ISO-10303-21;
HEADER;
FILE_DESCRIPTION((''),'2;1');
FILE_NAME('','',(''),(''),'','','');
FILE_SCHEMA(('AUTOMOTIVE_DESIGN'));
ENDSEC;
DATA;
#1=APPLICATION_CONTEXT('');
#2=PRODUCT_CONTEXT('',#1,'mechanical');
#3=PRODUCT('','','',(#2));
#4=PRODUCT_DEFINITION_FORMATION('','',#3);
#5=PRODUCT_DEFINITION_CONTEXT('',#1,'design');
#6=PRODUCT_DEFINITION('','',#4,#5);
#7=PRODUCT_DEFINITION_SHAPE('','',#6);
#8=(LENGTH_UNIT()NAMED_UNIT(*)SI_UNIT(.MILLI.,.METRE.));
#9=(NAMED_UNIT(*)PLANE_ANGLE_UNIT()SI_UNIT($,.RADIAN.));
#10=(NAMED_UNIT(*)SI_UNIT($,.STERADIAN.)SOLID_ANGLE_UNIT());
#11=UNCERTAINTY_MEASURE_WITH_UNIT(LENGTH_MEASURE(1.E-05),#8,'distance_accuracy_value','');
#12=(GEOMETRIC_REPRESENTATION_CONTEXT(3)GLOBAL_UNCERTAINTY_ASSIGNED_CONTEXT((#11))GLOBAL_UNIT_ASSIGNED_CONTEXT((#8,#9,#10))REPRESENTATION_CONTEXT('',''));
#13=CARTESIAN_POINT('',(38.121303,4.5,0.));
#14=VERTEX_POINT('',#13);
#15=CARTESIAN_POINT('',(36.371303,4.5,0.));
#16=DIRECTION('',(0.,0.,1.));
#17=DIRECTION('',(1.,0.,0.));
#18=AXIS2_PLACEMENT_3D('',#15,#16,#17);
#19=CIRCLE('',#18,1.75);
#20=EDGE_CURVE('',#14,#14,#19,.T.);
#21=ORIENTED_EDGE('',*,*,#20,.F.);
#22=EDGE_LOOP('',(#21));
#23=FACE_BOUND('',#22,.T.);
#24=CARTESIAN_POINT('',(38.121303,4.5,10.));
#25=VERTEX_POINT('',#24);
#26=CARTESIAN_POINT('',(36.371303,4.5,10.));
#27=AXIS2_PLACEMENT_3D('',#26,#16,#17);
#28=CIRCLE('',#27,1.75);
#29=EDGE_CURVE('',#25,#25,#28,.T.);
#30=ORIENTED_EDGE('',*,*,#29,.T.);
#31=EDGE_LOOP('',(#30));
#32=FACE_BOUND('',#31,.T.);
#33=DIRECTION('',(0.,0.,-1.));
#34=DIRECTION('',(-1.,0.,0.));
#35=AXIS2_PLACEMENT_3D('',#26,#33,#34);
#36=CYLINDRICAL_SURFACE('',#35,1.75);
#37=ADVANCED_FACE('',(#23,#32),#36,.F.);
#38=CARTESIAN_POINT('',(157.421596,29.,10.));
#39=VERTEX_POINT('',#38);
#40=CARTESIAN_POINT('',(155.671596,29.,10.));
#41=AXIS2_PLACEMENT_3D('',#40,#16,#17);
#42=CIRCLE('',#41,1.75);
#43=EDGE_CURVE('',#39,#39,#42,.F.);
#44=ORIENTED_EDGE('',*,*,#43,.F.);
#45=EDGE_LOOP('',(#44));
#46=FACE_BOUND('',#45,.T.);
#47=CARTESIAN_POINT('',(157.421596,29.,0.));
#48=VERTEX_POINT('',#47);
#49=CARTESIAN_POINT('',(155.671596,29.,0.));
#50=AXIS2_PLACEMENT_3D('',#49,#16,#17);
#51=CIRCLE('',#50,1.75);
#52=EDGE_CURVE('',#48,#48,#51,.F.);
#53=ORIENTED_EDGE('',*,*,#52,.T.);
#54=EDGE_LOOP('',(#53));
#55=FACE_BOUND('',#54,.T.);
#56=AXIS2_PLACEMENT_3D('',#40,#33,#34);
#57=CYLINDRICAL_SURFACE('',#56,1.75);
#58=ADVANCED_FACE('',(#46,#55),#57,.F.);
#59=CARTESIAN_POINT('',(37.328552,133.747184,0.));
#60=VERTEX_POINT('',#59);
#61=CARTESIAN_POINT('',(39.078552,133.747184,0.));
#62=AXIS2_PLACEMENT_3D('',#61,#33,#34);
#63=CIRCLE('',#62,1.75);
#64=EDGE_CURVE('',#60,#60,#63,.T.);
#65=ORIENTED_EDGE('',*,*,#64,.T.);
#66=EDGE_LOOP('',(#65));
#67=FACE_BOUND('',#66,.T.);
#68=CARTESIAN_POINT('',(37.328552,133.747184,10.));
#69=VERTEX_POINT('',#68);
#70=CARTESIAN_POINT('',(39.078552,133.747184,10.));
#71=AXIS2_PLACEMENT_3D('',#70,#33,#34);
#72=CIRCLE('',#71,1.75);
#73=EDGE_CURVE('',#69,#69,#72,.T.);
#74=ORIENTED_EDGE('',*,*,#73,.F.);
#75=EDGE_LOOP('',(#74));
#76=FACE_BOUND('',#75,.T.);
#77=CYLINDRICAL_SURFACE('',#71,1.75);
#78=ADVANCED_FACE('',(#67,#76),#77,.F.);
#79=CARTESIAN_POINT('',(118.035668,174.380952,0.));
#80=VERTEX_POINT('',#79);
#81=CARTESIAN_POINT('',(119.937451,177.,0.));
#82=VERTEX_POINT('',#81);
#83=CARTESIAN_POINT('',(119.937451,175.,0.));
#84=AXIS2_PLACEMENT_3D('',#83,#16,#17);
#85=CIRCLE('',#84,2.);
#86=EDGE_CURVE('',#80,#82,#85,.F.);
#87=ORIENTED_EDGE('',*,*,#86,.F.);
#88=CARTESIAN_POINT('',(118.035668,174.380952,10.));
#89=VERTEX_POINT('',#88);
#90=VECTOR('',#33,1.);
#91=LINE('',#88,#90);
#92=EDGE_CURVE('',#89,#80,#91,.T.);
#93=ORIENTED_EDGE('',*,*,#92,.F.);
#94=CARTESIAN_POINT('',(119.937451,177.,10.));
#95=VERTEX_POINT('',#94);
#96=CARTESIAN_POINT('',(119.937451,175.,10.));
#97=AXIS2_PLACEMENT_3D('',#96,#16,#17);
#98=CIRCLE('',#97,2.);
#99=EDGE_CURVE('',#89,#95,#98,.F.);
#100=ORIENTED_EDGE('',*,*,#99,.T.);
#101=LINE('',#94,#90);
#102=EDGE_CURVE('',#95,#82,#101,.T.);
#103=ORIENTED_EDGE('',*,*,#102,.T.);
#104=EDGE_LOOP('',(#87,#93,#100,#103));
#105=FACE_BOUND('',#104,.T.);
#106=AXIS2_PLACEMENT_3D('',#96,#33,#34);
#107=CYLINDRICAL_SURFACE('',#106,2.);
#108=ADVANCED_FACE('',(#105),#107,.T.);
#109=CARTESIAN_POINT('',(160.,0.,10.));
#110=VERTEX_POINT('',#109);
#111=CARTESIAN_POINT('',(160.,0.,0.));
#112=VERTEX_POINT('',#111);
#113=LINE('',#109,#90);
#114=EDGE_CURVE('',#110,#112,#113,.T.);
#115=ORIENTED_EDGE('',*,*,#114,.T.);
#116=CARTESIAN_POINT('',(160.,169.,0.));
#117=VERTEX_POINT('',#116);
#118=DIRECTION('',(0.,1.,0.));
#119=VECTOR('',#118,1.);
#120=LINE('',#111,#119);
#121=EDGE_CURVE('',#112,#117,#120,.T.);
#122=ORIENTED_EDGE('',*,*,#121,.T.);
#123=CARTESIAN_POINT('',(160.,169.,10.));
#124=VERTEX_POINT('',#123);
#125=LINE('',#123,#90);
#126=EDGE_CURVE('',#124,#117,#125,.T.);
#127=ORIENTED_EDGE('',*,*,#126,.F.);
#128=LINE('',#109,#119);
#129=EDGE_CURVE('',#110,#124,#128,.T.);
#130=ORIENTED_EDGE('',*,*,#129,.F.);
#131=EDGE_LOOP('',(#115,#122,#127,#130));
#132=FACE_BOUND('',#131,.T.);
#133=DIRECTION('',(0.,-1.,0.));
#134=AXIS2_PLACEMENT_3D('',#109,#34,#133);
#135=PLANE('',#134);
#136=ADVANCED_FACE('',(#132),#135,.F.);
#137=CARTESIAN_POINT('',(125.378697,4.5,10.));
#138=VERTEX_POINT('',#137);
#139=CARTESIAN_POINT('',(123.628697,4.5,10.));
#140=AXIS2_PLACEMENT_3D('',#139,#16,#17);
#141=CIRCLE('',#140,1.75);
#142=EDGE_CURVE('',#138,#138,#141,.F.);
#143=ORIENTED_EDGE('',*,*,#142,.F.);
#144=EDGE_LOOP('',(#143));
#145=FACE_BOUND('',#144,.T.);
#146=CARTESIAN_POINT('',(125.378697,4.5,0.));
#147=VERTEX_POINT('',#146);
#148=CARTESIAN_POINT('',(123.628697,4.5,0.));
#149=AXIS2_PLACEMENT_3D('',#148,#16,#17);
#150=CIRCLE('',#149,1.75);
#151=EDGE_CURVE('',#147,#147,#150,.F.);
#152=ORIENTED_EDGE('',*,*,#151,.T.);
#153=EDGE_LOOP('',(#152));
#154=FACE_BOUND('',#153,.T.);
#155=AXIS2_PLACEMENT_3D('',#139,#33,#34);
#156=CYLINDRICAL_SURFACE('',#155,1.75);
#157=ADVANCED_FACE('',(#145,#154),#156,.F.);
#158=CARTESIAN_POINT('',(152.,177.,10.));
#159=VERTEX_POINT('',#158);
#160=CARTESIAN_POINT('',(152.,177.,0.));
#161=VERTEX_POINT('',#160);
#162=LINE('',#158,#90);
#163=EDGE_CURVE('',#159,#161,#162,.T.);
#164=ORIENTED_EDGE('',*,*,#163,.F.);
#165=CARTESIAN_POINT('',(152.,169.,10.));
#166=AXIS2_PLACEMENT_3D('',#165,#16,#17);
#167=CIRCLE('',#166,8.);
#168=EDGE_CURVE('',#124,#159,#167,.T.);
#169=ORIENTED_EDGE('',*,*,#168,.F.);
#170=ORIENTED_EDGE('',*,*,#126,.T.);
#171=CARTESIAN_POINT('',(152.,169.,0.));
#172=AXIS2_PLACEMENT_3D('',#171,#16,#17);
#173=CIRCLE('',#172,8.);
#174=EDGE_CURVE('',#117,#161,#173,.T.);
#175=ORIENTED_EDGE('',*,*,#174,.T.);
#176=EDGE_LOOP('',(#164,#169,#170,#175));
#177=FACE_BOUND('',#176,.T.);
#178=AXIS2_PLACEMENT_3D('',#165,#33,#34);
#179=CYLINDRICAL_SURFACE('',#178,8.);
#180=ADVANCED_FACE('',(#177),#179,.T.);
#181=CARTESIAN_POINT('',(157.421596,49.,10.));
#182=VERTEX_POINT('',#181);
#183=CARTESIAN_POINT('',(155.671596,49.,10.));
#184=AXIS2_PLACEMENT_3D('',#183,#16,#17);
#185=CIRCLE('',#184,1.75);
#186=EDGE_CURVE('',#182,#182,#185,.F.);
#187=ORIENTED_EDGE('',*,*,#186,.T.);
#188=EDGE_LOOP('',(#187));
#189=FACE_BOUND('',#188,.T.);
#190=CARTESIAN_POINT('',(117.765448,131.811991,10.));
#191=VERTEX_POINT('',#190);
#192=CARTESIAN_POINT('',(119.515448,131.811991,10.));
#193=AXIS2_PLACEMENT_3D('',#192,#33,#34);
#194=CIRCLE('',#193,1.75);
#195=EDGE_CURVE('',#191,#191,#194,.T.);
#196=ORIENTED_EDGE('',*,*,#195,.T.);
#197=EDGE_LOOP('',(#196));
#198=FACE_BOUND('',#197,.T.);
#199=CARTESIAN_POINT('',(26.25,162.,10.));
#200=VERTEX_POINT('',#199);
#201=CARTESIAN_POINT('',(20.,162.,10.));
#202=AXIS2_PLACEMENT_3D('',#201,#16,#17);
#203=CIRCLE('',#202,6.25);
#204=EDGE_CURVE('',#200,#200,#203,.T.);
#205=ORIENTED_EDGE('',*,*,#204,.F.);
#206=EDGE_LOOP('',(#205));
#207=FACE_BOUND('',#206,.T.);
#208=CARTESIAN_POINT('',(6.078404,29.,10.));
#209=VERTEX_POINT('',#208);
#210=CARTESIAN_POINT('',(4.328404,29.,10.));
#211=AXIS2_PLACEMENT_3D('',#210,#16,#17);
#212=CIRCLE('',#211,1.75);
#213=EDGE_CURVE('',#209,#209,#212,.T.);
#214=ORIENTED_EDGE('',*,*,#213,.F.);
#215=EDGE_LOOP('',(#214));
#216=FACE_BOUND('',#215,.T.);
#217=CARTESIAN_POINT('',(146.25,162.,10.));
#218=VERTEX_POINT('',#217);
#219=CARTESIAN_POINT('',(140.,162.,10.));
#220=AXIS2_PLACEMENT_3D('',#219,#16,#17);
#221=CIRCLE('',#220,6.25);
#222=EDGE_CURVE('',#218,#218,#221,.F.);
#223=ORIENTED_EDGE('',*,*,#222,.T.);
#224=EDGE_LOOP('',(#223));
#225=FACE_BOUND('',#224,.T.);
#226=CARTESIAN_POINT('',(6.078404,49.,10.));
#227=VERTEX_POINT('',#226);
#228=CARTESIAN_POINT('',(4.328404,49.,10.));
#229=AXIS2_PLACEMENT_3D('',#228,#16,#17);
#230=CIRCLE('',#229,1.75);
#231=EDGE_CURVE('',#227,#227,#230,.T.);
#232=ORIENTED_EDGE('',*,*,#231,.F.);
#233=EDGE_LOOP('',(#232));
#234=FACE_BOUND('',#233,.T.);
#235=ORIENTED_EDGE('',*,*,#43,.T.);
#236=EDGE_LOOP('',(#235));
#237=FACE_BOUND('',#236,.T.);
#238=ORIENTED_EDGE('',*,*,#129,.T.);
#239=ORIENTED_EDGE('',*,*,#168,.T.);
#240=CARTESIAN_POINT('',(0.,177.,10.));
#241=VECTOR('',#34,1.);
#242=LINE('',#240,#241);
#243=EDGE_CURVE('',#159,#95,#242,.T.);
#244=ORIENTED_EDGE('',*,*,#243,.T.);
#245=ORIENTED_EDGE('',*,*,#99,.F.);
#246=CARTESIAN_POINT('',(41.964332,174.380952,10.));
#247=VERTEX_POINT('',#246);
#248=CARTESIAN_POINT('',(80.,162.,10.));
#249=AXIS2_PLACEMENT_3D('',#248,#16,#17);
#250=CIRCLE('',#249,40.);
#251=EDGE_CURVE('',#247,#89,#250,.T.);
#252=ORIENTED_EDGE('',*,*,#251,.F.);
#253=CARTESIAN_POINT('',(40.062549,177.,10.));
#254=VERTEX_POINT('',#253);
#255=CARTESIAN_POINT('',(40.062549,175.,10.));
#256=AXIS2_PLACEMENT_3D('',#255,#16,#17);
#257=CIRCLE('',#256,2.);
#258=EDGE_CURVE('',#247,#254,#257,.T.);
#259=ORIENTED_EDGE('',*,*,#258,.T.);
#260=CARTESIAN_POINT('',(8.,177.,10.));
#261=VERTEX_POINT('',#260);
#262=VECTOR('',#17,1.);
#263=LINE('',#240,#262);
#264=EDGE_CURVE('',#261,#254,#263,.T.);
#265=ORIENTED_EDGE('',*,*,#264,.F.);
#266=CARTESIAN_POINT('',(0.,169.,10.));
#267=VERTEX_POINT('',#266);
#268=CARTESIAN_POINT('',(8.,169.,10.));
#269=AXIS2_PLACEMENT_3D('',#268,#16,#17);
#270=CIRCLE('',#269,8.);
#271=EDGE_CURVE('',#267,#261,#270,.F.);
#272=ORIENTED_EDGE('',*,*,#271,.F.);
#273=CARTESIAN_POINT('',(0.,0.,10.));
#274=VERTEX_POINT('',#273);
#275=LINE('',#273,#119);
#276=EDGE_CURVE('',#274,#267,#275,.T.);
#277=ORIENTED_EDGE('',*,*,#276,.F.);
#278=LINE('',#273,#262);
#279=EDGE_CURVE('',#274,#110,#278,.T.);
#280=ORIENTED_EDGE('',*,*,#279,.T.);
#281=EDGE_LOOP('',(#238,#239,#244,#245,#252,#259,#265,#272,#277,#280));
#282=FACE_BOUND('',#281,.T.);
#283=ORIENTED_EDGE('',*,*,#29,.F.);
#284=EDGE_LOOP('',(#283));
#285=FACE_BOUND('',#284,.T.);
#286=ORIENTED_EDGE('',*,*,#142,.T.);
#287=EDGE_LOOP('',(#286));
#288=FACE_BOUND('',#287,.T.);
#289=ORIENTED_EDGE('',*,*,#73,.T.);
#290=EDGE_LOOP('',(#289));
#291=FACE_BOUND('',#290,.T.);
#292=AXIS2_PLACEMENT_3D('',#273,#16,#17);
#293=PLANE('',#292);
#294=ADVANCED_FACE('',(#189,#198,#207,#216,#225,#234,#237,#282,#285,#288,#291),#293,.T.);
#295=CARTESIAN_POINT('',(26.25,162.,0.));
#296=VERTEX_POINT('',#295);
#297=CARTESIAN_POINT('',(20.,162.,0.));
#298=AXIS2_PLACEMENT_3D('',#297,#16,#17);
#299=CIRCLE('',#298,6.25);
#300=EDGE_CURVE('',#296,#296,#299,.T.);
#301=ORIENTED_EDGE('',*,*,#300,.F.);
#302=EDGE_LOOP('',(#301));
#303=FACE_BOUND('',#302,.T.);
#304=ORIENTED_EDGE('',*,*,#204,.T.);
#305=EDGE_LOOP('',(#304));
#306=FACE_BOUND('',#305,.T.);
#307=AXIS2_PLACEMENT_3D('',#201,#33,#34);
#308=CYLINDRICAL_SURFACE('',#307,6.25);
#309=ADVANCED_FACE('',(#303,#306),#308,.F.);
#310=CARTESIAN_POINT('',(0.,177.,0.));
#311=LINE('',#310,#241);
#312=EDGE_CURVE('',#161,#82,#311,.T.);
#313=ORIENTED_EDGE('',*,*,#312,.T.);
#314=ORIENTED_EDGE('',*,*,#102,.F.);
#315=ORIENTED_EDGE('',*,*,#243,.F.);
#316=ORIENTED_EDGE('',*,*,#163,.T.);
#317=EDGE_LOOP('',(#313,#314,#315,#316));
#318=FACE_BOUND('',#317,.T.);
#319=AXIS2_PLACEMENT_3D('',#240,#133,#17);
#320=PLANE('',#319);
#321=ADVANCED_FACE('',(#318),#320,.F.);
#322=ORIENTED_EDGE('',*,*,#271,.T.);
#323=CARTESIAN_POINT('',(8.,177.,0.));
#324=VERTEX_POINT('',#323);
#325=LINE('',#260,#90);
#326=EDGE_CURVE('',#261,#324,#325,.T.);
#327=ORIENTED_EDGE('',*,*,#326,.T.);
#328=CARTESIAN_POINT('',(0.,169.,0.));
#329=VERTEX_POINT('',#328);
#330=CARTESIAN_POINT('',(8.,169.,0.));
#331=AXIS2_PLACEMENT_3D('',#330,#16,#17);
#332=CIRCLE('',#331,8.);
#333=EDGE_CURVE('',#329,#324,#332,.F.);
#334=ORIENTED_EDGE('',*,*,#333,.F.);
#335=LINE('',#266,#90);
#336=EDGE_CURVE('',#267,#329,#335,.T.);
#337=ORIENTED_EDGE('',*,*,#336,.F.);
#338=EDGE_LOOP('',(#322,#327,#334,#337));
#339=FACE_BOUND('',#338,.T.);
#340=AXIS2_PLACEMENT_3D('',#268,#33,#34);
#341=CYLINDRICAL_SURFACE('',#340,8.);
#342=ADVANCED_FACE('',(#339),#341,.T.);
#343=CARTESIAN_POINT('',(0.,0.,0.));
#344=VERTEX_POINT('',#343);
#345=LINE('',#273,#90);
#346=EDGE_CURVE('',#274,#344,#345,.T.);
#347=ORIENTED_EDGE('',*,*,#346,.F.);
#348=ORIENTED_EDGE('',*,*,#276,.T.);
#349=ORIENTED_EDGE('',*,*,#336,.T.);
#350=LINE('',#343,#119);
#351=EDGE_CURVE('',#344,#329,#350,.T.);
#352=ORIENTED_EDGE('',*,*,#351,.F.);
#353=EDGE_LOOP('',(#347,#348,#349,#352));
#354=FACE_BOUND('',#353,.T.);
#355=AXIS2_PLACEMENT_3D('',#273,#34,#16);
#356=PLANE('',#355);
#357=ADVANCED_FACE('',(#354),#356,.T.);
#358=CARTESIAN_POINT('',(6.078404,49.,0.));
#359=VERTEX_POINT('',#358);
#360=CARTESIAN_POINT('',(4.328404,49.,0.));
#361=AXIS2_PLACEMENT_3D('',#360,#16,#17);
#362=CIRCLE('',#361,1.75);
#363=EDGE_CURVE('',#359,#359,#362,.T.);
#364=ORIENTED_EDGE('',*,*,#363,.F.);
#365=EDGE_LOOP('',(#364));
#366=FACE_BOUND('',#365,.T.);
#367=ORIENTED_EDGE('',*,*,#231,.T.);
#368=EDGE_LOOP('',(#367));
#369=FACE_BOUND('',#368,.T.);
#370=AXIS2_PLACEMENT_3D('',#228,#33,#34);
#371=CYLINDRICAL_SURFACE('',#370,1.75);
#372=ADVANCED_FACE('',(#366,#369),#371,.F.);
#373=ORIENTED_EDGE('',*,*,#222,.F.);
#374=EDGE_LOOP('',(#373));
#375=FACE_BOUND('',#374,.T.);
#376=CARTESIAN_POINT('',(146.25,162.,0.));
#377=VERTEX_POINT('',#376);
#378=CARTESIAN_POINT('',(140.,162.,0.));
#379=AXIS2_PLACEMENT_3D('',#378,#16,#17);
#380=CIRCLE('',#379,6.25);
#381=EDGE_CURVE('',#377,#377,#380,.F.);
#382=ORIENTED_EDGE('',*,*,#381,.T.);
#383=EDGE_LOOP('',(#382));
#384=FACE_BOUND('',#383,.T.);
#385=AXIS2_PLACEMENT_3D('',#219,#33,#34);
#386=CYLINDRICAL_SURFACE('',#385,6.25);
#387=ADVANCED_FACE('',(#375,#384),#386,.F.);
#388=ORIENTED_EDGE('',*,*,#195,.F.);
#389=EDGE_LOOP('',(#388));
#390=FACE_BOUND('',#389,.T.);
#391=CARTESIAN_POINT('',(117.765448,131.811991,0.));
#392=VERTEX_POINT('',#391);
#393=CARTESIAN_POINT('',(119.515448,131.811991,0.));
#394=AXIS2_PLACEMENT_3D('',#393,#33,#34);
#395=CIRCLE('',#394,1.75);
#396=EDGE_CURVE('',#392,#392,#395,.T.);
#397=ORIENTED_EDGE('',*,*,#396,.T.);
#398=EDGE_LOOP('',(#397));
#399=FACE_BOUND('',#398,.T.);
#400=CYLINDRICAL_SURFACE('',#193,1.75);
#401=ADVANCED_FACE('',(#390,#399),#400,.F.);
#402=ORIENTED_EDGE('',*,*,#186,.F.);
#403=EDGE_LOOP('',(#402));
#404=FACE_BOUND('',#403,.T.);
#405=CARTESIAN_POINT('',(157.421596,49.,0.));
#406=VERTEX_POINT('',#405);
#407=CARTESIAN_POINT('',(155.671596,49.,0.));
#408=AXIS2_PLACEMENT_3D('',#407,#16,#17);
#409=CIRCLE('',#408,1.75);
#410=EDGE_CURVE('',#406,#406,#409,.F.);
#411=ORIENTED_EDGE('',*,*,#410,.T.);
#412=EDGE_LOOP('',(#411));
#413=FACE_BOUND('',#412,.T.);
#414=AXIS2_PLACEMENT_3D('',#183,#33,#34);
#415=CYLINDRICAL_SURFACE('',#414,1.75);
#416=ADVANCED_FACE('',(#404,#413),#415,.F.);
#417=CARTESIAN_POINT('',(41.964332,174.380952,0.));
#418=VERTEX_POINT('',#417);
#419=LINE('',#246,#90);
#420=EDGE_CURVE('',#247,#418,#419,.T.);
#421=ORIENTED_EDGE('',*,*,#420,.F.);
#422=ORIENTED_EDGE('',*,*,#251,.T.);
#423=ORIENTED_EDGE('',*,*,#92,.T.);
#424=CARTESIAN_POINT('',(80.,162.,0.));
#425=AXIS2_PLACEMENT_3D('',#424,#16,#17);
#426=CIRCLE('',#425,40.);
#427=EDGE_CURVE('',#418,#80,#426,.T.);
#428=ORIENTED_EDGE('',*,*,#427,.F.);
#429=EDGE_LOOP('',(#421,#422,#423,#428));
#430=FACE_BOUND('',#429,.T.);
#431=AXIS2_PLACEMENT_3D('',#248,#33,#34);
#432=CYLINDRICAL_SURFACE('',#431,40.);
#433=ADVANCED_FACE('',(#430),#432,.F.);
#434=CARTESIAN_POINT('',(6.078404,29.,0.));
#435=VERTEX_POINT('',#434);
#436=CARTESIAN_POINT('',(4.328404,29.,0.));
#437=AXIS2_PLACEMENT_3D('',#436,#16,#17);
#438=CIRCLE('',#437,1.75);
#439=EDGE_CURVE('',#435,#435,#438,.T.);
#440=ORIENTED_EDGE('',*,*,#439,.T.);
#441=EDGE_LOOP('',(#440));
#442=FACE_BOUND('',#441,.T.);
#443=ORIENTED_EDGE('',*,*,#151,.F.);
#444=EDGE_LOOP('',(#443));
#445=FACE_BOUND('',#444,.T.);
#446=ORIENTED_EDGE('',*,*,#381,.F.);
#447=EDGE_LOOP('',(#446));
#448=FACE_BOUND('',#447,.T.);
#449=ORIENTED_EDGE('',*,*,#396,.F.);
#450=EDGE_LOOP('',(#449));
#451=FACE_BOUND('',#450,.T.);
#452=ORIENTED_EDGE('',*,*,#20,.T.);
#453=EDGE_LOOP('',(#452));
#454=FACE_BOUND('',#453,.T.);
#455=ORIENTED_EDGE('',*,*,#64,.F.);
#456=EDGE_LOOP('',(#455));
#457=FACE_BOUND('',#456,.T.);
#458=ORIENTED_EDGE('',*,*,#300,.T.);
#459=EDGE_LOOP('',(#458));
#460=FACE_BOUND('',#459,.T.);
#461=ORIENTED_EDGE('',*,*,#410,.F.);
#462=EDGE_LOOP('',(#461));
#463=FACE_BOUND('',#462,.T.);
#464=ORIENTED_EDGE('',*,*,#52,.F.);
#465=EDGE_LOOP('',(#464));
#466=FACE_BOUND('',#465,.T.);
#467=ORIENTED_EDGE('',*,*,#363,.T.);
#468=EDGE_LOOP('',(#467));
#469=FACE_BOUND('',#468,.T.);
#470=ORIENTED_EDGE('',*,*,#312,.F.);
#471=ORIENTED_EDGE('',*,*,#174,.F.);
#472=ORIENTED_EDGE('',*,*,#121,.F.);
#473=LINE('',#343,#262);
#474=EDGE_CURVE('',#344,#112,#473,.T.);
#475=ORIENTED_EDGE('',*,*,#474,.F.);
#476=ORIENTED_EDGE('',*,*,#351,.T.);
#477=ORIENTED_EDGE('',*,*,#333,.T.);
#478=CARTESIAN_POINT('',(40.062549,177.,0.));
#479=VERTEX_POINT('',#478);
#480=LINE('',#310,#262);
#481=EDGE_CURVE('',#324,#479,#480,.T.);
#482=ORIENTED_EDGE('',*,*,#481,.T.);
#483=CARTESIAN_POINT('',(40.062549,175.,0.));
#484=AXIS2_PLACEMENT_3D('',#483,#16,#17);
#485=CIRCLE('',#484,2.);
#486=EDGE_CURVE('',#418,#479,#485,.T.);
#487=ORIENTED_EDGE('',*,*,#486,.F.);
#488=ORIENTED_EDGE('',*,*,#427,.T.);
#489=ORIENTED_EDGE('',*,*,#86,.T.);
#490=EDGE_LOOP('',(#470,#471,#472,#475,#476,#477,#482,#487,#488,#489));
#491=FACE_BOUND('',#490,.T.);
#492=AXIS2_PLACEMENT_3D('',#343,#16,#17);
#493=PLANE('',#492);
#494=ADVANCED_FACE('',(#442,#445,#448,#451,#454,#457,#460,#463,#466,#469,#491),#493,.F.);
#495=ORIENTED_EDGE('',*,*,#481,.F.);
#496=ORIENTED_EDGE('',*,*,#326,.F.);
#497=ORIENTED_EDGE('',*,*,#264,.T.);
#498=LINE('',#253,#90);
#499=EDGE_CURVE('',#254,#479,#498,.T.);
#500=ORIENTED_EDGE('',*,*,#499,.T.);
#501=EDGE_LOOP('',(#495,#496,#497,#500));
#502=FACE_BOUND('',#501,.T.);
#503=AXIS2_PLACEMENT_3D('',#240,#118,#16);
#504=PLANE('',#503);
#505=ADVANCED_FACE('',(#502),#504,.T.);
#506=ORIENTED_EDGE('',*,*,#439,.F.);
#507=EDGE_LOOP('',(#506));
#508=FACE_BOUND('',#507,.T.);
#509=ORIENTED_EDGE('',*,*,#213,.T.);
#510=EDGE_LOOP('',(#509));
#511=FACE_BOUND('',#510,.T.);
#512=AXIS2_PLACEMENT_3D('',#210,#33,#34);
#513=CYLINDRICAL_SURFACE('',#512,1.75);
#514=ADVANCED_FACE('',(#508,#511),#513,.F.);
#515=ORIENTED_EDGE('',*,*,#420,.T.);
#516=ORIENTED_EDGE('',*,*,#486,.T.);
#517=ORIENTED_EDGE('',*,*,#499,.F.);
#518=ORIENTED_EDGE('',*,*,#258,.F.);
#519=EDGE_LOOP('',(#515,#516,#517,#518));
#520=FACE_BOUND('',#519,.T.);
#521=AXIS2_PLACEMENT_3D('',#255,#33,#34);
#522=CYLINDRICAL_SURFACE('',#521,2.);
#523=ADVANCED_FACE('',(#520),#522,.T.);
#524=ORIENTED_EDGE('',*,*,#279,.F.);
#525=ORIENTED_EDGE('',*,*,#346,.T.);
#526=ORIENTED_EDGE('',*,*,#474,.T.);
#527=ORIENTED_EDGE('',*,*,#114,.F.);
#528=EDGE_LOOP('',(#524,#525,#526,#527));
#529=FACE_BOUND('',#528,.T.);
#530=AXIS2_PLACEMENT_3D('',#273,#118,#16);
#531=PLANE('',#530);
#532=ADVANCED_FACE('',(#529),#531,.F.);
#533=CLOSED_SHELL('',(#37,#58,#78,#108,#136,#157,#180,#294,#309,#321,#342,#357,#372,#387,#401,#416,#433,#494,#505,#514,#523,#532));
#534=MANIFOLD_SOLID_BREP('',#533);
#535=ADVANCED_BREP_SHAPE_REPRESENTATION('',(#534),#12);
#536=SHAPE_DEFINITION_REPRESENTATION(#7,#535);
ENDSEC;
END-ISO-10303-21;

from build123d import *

# Parameters (mm, degrees)
SKETCH1_R           = 6.25
SKETCH1_R_2         = 1.75
BOSS_EXTRUDE1_DEPTH = 10
SKETCH11_R          = 1.75
CUT_EXTRUDE2_DEPTH  = 10


with BuildPart() as part:
    # Sketch1 → Boss-Extrude1 (new body)
    with BuildSketch(Plane.XY):
        with BuildLine():
            Line((0, 0), (40, 0))
            Line((40, 0), (120, 0))
            Line((120, 0), (160, 0))
            Line((160, 0), (160, 169))
            ThreePointArc((160, 169), (157.656854249, 174.656854249), (152, 177))
            Line((152, 177), (120, 177))
            Line((120, 177), (119.937451095, 177))
            ThreePointArc((119.937451095, 177), (118.319103908, 176.175139303), (118.03566771, 174.380952381))
            ThreePointArc((118.03566771, 174.380952381), (80, 122), (41.96433229, 174.380952381))
            ThreePointArc((41.96433229, 174.380952381), (41.680896092, 176.175139303), (40.062548905, 177))
            Line((40.062548905, 177), (40, 177))
            Line((40, 177), (8, 177))
            ThreePointArc((8, 177), (2.343145751, 174.656854249), (0, 169))
            Line((0, 169), (0, 0))
        make_face()
        with Locations((20, 162)):
            Circle(SKETCH1_R, mode=Mode.SUBTRACT)
        with Locations((140, 162)):
            Circle(SKETCH1_R, mode=Mode.SUBTRACT)
        with Locations((4.328403696, 49)):
            Circle(SKETCH1_R_2, mode=Mode.SUBTRACT)
        with Locations((4.328403696, 29)):
            Circle(SKETCH1_R_2, mode=Mode.SUBTRACT)
        with Locations((36.371302772, 4.5)):
            Circle(SKETCH1_R_2, mode=Mode.SUBTRACT)
        with Locations((123.628697228, 4.5)):
            Circle(SKETCH1_R_2, mode=Mode.SUBTRACT)
        with Locations((155.671596304, 29)):
            Circle(SKETCH1_R_2, mode=Mode.SUBTRACT)
        with Locations((155.671596304, 49)):
            Circle(SKETCH1_R_2, mode=Mode.SUBTRACT)
    extrude(amount=BOSS_EXTRUDE1_DEPTH)

    # Sketch11 → Cut-Extrude2 (cut)
    with BuildSketch(Plane(origin=(0, 0, 0), x_dir=(-1, 0, 0), z_dir=(0, 0, -1))):
        with Locations((-119.515447903, 131.8119911)):
            Circle(SKETCH11_R)
        with Locations((-39.078552479, 133.747183554)):
            Circle(SKETCH11_R)
    extrude(amount=-CUT_EXTRUDE2_DEPTH, mode=Mode.SUBTRACT)


solid = part.part
